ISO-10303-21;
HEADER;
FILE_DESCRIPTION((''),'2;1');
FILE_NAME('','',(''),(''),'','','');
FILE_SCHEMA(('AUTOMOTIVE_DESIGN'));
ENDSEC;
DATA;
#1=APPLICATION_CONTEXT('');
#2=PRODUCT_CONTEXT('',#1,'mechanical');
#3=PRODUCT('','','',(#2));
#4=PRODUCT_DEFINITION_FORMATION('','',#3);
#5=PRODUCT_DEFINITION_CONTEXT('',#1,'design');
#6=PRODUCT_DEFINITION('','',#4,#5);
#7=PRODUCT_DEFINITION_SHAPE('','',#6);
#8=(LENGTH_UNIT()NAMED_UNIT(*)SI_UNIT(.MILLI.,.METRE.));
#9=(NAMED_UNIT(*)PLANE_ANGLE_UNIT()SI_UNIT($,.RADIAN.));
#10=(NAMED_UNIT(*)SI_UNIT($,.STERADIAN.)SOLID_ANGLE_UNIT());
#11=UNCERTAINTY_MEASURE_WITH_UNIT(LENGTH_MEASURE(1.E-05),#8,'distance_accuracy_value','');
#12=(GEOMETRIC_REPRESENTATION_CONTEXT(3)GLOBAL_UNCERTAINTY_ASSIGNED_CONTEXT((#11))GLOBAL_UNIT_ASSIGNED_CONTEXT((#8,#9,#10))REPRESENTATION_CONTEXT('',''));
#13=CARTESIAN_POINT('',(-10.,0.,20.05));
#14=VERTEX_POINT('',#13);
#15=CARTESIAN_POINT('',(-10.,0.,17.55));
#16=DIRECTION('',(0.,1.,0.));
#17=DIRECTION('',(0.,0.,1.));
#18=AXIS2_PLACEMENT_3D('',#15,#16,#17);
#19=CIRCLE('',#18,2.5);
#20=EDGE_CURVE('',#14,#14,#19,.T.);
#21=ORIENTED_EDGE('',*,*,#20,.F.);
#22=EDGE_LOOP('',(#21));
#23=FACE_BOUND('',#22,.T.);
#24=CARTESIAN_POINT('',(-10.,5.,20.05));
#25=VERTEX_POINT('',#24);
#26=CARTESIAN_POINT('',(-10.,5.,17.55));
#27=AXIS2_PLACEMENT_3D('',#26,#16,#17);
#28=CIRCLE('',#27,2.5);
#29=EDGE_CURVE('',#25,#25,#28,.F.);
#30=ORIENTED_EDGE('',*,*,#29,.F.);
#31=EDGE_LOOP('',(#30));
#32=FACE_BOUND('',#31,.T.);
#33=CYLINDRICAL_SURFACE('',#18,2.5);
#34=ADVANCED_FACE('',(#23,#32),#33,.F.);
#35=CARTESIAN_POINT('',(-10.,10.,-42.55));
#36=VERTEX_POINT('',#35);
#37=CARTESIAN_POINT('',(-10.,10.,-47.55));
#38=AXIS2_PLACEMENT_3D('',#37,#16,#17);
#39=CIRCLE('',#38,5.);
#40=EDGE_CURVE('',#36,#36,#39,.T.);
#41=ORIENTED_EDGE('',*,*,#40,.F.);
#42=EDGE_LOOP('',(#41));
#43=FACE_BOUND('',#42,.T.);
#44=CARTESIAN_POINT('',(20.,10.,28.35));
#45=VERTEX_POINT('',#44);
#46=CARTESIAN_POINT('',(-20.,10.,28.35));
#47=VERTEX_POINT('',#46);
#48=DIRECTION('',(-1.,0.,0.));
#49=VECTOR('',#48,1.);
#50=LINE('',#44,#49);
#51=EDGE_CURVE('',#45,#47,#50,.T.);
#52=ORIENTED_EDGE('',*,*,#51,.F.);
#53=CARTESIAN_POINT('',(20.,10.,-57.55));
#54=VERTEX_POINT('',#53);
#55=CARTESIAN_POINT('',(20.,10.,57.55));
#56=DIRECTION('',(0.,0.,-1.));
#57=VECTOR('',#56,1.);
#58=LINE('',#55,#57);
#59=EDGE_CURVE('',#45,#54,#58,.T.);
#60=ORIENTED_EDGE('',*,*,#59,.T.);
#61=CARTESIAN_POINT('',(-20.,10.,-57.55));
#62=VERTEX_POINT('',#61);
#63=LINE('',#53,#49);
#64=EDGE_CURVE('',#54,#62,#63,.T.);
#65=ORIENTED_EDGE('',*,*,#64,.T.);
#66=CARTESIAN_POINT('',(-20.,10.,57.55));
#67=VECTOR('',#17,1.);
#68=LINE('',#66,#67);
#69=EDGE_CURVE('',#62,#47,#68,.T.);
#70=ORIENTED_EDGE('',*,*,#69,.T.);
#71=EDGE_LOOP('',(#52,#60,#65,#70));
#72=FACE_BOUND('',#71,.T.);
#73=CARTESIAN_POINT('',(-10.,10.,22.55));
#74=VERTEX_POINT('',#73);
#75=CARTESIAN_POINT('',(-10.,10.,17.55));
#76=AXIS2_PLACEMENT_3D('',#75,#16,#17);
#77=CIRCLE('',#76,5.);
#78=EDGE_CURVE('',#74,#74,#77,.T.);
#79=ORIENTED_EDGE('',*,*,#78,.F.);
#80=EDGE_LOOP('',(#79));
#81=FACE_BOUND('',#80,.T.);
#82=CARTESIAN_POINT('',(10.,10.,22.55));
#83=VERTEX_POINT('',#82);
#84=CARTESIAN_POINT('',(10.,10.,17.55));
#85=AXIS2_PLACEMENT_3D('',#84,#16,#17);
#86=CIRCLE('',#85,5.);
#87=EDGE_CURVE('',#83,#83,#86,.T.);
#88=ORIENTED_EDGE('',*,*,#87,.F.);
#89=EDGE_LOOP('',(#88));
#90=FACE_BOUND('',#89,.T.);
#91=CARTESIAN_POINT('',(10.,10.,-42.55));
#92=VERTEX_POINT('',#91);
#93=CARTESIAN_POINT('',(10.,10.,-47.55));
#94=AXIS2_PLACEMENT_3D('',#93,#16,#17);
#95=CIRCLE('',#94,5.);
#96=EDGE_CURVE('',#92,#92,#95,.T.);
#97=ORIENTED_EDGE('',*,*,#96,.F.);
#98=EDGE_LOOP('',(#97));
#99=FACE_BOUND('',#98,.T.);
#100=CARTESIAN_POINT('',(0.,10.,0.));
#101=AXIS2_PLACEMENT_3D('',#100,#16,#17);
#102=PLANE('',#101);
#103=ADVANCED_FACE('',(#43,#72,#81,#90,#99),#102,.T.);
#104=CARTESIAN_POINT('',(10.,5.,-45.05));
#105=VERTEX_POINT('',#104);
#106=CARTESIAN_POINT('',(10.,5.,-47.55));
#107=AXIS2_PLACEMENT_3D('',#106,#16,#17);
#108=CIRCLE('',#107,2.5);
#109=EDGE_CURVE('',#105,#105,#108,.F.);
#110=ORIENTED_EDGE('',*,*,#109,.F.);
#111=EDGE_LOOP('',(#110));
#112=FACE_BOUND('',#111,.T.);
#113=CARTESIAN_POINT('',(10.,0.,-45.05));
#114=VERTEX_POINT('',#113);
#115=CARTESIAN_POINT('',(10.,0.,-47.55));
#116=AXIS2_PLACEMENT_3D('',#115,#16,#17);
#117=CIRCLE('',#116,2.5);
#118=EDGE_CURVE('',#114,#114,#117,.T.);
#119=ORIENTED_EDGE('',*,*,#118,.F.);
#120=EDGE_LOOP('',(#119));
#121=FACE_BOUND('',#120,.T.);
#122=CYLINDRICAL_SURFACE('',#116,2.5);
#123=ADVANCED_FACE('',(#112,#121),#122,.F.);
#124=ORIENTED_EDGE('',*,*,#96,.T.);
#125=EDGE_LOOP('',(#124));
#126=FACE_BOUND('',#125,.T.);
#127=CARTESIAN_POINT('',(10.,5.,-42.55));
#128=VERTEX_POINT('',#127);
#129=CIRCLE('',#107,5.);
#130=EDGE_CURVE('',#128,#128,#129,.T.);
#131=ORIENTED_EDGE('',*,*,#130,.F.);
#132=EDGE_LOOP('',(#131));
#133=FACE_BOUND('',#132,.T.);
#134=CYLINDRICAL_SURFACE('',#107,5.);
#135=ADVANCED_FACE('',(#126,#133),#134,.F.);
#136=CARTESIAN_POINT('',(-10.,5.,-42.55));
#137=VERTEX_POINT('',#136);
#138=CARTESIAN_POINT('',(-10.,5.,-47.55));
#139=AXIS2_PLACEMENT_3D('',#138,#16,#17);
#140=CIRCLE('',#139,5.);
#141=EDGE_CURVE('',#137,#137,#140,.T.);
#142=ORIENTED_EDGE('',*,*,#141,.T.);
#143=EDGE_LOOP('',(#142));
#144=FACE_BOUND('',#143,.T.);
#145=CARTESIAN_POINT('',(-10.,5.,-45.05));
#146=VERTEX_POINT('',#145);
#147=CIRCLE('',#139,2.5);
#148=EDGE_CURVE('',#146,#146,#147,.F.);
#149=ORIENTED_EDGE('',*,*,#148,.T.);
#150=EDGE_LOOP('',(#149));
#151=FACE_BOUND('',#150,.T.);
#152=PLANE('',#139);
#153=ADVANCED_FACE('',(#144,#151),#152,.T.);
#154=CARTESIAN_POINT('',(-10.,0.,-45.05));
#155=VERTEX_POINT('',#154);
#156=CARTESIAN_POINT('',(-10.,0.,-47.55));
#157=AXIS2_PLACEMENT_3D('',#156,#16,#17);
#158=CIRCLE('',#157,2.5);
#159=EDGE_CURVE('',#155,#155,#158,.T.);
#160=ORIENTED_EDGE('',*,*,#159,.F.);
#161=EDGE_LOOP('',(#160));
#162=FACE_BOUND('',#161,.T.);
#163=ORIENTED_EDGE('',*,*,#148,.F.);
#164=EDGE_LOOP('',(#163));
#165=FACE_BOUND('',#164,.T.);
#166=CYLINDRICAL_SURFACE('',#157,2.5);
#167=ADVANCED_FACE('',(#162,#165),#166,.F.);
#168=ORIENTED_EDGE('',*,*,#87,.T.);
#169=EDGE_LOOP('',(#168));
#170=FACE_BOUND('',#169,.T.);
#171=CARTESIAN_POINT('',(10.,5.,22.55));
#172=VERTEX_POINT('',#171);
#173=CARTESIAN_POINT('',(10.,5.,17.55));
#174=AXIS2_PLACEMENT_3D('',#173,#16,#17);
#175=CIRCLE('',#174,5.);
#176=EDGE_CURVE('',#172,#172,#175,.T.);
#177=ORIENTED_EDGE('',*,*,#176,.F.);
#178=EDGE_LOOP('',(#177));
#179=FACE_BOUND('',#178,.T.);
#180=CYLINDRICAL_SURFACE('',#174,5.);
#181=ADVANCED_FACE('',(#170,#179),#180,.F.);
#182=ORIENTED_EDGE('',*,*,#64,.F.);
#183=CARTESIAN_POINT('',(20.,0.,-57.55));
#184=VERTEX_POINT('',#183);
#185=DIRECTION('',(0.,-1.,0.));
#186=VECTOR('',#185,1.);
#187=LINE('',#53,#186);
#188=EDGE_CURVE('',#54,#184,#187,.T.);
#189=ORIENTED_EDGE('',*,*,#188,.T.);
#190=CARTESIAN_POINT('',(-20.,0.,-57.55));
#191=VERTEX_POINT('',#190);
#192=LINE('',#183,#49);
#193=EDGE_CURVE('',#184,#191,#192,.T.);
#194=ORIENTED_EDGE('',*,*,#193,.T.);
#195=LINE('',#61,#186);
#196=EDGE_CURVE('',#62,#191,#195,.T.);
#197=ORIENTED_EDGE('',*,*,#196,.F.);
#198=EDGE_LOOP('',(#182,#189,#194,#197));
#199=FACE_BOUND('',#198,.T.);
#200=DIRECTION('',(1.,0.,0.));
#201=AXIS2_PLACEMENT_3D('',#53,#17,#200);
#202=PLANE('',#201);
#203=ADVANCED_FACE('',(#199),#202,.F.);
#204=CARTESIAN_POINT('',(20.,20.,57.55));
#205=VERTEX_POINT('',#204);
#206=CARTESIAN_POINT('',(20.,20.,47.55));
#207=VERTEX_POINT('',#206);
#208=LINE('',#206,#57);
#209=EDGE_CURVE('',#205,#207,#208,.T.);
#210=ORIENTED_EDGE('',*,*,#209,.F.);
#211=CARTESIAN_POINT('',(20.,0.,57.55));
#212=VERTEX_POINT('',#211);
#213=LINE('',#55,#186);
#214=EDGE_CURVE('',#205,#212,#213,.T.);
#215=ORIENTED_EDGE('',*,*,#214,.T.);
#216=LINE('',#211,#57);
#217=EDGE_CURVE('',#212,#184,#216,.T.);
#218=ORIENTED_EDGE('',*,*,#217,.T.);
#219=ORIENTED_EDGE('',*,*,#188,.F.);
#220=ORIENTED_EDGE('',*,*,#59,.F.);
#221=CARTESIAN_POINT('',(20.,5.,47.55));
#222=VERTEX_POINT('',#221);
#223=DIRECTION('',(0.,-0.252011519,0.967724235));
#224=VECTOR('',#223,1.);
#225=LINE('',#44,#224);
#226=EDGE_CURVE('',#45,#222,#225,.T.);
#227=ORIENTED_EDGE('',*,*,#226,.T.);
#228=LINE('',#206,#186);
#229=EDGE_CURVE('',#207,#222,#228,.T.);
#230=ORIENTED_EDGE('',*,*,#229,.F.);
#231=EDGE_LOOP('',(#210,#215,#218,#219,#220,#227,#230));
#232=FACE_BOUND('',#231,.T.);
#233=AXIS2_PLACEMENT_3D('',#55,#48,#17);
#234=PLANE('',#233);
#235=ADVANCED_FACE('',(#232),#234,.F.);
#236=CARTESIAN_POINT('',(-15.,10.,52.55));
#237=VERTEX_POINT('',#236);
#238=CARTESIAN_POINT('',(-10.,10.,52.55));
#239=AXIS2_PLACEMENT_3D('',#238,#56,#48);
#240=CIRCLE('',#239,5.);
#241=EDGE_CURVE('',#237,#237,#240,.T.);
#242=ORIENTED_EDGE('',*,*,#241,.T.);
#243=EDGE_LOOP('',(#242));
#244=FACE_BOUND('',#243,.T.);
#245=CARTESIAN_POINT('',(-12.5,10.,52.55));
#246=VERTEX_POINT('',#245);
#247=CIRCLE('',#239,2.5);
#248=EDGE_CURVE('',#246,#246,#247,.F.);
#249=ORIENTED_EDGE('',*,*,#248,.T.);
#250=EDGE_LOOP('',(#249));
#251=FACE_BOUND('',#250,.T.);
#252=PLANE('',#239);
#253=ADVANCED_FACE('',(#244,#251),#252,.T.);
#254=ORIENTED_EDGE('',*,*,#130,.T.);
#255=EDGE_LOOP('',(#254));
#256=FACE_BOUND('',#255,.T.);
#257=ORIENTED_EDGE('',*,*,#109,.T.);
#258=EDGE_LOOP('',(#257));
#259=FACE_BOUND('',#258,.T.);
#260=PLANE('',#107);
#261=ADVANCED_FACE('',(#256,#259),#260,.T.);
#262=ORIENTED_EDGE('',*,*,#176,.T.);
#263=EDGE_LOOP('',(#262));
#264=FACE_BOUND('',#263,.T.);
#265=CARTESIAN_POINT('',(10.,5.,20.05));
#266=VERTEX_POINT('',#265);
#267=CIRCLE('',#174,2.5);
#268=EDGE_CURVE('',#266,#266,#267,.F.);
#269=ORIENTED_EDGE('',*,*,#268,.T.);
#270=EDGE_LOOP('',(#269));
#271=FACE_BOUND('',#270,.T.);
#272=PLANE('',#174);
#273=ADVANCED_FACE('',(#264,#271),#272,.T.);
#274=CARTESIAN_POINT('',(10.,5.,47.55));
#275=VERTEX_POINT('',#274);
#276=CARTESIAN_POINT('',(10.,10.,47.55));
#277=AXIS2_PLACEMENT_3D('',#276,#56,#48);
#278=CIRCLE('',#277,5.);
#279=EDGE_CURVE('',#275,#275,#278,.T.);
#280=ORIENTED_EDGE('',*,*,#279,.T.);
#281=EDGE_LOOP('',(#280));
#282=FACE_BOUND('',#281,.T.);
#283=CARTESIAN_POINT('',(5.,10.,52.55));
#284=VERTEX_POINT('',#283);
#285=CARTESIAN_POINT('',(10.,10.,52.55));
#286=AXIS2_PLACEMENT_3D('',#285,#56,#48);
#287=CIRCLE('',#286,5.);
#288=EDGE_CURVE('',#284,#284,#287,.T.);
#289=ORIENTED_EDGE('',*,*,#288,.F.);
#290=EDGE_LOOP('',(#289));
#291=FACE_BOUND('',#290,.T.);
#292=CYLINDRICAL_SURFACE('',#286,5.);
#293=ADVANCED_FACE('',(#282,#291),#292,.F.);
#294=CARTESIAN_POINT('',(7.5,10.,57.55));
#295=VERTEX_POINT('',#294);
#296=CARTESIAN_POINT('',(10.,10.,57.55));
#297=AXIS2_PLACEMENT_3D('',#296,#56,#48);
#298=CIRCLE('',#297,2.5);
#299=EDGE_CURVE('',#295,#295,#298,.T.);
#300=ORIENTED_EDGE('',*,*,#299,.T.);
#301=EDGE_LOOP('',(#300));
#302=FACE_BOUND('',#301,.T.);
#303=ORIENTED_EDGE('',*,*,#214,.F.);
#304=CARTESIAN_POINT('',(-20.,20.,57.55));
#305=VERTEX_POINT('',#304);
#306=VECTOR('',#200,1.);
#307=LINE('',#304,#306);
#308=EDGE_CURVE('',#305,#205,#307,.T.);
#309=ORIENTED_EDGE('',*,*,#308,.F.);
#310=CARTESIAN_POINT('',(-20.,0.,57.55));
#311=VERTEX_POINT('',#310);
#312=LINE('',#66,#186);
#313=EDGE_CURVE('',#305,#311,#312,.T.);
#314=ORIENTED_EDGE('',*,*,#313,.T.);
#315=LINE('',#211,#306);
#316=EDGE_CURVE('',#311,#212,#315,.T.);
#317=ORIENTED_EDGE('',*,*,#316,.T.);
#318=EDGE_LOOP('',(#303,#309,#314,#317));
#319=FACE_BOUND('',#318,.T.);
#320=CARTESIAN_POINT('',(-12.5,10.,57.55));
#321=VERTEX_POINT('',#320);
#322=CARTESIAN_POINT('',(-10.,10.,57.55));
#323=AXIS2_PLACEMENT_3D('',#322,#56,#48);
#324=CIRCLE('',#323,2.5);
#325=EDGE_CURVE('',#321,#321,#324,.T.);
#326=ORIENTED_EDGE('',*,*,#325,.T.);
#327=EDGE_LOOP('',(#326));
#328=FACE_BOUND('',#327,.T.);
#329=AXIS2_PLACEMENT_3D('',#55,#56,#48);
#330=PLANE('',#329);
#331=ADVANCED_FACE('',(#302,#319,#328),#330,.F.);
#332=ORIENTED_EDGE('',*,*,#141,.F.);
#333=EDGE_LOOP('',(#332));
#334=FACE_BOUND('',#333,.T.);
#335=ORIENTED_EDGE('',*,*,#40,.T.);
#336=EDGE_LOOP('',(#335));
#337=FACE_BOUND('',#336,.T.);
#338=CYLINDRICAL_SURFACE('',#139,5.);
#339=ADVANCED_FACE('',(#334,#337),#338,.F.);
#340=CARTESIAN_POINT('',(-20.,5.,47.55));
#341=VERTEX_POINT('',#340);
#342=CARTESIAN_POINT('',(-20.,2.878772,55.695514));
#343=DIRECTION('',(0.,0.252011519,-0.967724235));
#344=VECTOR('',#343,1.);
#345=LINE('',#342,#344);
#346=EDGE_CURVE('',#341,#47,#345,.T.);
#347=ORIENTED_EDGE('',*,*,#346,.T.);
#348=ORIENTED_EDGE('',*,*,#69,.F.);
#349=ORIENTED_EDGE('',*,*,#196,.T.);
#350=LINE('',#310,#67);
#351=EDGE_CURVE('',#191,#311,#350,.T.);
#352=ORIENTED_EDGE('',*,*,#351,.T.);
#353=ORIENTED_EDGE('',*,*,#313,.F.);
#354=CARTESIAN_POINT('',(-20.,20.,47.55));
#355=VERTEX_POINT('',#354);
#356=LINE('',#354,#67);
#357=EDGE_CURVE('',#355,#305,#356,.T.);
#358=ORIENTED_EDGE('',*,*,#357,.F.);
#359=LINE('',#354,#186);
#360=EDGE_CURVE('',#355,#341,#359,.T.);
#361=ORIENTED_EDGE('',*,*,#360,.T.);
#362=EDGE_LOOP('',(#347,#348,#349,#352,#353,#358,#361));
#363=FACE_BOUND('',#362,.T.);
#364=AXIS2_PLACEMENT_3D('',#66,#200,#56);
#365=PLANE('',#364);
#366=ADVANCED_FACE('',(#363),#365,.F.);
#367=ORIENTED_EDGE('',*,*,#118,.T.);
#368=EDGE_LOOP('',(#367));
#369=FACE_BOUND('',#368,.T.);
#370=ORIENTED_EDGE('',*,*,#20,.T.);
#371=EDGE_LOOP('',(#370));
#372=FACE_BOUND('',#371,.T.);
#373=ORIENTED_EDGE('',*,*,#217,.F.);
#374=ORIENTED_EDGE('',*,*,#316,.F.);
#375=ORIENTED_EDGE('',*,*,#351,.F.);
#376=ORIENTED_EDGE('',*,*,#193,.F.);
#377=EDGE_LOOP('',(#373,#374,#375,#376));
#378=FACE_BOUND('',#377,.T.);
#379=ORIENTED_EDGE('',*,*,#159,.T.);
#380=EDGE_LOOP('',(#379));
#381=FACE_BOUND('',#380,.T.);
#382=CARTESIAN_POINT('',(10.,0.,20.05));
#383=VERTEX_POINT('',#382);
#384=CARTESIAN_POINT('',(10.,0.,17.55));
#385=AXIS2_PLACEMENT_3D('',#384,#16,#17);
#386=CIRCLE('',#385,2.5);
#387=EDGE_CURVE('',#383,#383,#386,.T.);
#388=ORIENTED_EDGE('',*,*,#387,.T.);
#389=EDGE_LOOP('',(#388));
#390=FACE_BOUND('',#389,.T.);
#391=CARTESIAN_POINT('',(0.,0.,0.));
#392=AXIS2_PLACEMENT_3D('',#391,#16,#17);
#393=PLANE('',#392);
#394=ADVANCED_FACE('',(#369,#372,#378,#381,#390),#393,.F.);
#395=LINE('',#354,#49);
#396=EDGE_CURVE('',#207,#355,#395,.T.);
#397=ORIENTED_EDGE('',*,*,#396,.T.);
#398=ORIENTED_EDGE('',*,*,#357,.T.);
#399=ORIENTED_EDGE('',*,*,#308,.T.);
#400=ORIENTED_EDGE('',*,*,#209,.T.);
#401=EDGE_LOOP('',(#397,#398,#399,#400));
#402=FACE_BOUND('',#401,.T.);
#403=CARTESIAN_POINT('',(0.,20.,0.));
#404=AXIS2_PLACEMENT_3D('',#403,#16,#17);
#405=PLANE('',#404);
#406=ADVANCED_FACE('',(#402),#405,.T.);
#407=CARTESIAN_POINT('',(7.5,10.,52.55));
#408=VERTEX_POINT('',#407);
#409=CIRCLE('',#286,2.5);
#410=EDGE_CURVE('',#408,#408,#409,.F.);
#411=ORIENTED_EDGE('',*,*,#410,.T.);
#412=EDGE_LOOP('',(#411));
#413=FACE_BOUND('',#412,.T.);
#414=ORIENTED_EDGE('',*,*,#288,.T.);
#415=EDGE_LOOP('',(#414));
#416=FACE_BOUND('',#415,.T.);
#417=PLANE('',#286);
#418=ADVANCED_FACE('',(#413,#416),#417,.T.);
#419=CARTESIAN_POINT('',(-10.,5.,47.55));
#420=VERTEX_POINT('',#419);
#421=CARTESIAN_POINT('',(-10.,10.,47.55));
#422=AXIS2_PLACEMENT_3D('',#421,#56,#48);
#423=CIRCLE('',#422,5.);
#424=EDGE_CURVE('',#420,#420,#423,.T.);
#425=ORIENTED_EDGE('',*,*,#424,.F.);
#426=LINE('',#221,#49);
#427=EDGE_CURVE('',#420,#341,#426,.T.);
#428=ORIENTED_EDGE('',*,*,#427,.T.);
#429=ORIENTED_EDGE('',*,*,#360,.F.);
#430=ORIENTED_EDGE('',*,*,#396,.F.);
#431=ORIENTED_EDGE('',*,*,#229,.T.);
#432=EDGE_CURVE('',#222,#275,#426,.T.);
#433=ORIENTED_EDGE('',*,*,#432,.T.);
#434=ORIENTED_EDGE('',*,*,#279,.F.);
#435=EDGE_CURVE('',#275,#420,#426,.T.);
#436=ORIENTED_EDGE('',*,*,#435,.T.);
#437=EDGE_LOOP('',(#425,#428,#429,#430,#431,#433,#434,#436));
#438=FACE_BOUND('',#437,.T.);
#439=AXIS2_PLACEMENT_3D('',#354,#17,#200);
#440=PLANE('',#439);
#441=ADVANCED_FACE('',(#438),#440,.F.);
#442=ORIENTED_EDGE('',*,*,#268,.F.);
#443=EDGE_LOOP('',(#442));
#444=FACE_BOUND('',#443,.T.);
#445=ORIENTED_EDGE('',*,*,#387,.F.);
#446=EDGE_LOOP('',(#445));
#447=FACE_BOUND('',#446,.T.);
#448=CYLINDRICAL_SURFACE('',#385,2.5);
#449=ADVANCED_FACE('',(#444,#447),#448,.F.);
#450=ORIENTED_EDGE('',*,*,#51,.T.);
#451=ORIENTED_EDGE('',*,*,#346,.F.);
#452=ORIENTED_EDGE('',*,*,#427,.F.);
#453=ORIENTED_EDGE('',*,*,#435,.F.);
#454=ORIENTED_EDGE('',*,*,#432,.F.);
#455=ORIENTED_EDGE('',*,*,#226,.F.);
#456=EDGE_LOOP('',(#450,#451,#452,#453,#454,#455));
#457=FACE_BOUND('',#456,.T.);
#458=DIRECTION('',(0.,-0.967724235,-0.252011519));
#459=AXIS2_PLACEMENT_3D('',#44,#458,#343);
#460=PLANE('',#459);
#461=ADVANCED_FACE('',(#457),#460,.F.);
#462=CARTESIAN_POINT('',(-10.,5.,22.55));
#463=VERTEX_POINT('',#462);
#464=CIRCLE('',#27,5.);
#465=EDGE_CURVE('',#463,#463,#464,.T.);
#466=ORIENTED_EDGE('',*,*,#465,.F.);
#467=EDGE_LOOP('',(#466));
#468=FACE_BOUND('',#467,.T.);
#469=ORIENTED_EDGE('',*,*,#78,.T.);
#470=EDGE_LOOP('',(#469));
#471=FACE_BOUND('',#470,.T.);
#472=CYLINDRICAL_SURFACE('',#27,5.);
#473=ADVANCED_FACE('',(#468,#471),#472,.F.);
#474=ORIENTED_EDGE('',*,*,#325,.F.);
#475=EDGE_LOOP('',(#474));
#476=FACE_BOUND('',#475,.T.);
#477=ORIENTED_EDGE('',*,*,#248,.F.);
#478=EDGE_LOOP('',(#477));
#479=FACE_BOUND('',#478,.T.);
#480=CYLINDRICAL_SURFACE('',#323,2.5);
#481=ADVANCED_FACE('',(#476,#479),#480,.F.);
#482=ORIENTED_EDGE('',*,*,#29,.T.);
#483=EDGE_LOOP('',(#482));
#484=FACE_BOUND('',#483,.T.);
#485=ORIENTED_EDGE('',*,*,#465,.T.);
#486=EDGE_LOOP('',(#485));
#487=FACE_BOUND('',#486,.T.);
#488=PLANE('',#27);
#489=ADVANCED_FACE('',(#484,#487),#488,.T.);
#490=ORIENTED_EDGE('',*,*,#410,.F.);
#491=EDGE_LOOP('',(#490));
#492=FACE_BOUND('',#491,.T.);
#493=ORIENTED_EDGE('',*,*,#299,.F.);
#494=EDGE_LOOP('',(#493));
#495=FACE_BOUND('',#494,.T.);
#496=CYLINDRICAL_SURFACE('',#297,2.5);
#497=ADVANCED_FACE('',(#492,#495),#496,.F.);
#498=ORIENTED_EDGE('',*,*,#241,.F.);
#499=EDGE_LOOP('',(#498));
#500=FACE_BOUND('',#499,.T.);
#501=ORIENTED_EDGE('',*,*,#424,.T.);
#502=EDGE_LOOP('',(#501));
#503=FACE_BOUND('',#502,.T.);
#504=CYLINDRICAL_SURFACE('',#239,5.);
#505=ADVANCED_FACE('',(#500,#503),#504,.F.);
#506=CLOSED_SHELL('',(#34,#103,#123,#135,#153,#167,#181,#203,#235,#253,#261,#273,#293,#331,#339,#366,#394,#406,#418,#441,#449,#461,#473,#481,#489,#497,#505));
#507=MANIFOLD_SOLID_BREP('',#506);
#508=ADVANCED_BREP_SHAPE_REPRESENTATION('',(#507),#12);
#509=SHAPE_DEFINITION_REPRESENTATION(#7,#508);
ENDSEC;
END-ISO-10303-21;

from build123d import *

# Parameters (mm, degrees)
SKETCH1_W               = 40
SKETCH1_H               = 115.1
BOSS_EXTRUDE1_DEPTH     = 10
SKETCH2_W               = 40
SKETCH2_H               = 10
BOSS_EXTRUDE2_DEPTH     = 10
CUT_EXTRUDE1_DEPTH      = 62.741416407
CUT_EXTRUDE1_DEPTH_BACK = 62.741416407
SKETCH3_R               = 2.5
SKETCH4_R               = 5
CUT_EXTRUDE2_DEPTH      = 5
CUT_EXTRUDE3_DEPTH      = 73.883485784
CUT_EXTRUDE3_DEPTH_BACK = 73.883485784
SKETCH6_R               = 2.5
CUT_EXTRUDE4_DEPTH      = 109.839377065
SKETCH7_R               = 5
CUT_EXTRUDE5_DEPTH      = 5


with BuildPart() as part:
    # Sketch1 → Boss-Extrude1 (new body)
    with BuildSketch(Plane(origin=(0, 0, 0), x_dir=(1, 0, 0), z_dir=(0, 1, 0))):
        Rectangle(SKETCH1_W, SKETCH1_H)
    extrude(amount=BOSS_EXTRUDE1_DEPTH)

    # Sketch2 → Boss-Extrude2 (add)
    with BuildSketch(Plane(origin=(0, 10, 0), x_dir=(1, 0, 0), z_dir=(0, 1, 0))):
        with Locations((0, -52.55)):
            Rectangle(SKETCH2_W, SKETCH2_H)
    extrude(amount=BOSS_EXTRUDE2_DEPTH)

    # Sketch3 → Cut-Extrude1 (cut, two sides: drawn at the far end of the back side and taken through both)
    with BuildSketch(Plane(origin=(0, 10, 0), x_dir=(1, 0, 0), z_dir=(0, 1, 0)).offset(-CUT_EXTRUDE1_DEPTH_BACK)):
        with Locations(Location((-10, 47.55, 0), (0, 0, 270))):
            Circle(SKETCH3_R)
        with Locations(Location((10, 47.55, 0), (0, 0, 270))):
            Circle(SKETCH3_R)
        with Locations(Location((10, -17.55, 0), (0, 0, 270))):
            Circle(SKETCH3_R)
        with Locations(Location((-10, -17.55, 0), (0, 0, 270))):
            Circle(SKETCH3_R)
    extrude(amount=CUT_EXTRUDE1_DEPTH + CUT_EXTRUDE1_DEPTH_BACK, mode=Mode.SUBTRACT)

    # Sketch4 → Cut-Extrude2 (cut)
    with BuildSketch(Plane(origin=(0, 10, 0), x_dir=(1, 0, 0), z_dir=(0, 1, 0))):
        with Locations(Location((10, 47.55, 0), (0, 0, 270))):
            Circle(SKETCH4_R)
        with Locations(Location((-10, 47.55, 0), (0, 0, 270))):
            Circle(SKETCH4_R)
        with Locations(Location((10, -17.55, 0), (0, 0, 270))):
            Circle(SKETCH4_R)
        with Locations(Location((-10, -17.55, 0), (0, 0, 270))):
            Circle(SKETCH4_R)
    extrude(amount=-CUT_EXTRUDE2_DEPTH, mode=Mode.SUBTRACT)

    # Sketch5 → Cut-Extrude3 (cut, two sides: drawn at the far end of the back side and taken through both)
    with BuildSketch(Plane.ZY.offset(20).offset(-CUT_EXTRUDE3_DEPTH_BACK)):
        Polygon((28.35, 10), (47.55, 5), (47.55, 10), align=None)
    extrude(amount=CUT_EXTRUDE3_DEPTH + CUT_EXTRUDE3_DEPTH_BACK, mode=Mode.SUBTRACT)

    # Sketch6 → Cut-Extrude4 (cut, through all)
    with BuildSketch(Plane(origin=(0, 0, 47.55), x_dir=(-1, 0, 0), z_dir=(0, 0, -1))):
        with Locations((-10, 10)):
            Circle(SKETCH6_R)
        with Locations((10, 10)):
            Circle(SKETCH6_R)
    extrude(amount=-CUT_EXTRUDE4_DEPTH, mode=Mode.SUBTRACT)

    # Sketch7 → Cut-Extrude5 (cut)
    with BuildSketch(Plane(origin=(0, 0, 47.55), x_dir=(-1, 0, 0), z_dir=(0, 0, -1))):
        with Locations((-10, 10)):
            Circle(SKETCH7_R)
        with Locations((10, 10)):
            Circle(SKETCH7_R)
    extrude(amount=-CUT_EXTRUDE5_DEPTH, mode=Mode.SUBTRACT)


solid = part.part
